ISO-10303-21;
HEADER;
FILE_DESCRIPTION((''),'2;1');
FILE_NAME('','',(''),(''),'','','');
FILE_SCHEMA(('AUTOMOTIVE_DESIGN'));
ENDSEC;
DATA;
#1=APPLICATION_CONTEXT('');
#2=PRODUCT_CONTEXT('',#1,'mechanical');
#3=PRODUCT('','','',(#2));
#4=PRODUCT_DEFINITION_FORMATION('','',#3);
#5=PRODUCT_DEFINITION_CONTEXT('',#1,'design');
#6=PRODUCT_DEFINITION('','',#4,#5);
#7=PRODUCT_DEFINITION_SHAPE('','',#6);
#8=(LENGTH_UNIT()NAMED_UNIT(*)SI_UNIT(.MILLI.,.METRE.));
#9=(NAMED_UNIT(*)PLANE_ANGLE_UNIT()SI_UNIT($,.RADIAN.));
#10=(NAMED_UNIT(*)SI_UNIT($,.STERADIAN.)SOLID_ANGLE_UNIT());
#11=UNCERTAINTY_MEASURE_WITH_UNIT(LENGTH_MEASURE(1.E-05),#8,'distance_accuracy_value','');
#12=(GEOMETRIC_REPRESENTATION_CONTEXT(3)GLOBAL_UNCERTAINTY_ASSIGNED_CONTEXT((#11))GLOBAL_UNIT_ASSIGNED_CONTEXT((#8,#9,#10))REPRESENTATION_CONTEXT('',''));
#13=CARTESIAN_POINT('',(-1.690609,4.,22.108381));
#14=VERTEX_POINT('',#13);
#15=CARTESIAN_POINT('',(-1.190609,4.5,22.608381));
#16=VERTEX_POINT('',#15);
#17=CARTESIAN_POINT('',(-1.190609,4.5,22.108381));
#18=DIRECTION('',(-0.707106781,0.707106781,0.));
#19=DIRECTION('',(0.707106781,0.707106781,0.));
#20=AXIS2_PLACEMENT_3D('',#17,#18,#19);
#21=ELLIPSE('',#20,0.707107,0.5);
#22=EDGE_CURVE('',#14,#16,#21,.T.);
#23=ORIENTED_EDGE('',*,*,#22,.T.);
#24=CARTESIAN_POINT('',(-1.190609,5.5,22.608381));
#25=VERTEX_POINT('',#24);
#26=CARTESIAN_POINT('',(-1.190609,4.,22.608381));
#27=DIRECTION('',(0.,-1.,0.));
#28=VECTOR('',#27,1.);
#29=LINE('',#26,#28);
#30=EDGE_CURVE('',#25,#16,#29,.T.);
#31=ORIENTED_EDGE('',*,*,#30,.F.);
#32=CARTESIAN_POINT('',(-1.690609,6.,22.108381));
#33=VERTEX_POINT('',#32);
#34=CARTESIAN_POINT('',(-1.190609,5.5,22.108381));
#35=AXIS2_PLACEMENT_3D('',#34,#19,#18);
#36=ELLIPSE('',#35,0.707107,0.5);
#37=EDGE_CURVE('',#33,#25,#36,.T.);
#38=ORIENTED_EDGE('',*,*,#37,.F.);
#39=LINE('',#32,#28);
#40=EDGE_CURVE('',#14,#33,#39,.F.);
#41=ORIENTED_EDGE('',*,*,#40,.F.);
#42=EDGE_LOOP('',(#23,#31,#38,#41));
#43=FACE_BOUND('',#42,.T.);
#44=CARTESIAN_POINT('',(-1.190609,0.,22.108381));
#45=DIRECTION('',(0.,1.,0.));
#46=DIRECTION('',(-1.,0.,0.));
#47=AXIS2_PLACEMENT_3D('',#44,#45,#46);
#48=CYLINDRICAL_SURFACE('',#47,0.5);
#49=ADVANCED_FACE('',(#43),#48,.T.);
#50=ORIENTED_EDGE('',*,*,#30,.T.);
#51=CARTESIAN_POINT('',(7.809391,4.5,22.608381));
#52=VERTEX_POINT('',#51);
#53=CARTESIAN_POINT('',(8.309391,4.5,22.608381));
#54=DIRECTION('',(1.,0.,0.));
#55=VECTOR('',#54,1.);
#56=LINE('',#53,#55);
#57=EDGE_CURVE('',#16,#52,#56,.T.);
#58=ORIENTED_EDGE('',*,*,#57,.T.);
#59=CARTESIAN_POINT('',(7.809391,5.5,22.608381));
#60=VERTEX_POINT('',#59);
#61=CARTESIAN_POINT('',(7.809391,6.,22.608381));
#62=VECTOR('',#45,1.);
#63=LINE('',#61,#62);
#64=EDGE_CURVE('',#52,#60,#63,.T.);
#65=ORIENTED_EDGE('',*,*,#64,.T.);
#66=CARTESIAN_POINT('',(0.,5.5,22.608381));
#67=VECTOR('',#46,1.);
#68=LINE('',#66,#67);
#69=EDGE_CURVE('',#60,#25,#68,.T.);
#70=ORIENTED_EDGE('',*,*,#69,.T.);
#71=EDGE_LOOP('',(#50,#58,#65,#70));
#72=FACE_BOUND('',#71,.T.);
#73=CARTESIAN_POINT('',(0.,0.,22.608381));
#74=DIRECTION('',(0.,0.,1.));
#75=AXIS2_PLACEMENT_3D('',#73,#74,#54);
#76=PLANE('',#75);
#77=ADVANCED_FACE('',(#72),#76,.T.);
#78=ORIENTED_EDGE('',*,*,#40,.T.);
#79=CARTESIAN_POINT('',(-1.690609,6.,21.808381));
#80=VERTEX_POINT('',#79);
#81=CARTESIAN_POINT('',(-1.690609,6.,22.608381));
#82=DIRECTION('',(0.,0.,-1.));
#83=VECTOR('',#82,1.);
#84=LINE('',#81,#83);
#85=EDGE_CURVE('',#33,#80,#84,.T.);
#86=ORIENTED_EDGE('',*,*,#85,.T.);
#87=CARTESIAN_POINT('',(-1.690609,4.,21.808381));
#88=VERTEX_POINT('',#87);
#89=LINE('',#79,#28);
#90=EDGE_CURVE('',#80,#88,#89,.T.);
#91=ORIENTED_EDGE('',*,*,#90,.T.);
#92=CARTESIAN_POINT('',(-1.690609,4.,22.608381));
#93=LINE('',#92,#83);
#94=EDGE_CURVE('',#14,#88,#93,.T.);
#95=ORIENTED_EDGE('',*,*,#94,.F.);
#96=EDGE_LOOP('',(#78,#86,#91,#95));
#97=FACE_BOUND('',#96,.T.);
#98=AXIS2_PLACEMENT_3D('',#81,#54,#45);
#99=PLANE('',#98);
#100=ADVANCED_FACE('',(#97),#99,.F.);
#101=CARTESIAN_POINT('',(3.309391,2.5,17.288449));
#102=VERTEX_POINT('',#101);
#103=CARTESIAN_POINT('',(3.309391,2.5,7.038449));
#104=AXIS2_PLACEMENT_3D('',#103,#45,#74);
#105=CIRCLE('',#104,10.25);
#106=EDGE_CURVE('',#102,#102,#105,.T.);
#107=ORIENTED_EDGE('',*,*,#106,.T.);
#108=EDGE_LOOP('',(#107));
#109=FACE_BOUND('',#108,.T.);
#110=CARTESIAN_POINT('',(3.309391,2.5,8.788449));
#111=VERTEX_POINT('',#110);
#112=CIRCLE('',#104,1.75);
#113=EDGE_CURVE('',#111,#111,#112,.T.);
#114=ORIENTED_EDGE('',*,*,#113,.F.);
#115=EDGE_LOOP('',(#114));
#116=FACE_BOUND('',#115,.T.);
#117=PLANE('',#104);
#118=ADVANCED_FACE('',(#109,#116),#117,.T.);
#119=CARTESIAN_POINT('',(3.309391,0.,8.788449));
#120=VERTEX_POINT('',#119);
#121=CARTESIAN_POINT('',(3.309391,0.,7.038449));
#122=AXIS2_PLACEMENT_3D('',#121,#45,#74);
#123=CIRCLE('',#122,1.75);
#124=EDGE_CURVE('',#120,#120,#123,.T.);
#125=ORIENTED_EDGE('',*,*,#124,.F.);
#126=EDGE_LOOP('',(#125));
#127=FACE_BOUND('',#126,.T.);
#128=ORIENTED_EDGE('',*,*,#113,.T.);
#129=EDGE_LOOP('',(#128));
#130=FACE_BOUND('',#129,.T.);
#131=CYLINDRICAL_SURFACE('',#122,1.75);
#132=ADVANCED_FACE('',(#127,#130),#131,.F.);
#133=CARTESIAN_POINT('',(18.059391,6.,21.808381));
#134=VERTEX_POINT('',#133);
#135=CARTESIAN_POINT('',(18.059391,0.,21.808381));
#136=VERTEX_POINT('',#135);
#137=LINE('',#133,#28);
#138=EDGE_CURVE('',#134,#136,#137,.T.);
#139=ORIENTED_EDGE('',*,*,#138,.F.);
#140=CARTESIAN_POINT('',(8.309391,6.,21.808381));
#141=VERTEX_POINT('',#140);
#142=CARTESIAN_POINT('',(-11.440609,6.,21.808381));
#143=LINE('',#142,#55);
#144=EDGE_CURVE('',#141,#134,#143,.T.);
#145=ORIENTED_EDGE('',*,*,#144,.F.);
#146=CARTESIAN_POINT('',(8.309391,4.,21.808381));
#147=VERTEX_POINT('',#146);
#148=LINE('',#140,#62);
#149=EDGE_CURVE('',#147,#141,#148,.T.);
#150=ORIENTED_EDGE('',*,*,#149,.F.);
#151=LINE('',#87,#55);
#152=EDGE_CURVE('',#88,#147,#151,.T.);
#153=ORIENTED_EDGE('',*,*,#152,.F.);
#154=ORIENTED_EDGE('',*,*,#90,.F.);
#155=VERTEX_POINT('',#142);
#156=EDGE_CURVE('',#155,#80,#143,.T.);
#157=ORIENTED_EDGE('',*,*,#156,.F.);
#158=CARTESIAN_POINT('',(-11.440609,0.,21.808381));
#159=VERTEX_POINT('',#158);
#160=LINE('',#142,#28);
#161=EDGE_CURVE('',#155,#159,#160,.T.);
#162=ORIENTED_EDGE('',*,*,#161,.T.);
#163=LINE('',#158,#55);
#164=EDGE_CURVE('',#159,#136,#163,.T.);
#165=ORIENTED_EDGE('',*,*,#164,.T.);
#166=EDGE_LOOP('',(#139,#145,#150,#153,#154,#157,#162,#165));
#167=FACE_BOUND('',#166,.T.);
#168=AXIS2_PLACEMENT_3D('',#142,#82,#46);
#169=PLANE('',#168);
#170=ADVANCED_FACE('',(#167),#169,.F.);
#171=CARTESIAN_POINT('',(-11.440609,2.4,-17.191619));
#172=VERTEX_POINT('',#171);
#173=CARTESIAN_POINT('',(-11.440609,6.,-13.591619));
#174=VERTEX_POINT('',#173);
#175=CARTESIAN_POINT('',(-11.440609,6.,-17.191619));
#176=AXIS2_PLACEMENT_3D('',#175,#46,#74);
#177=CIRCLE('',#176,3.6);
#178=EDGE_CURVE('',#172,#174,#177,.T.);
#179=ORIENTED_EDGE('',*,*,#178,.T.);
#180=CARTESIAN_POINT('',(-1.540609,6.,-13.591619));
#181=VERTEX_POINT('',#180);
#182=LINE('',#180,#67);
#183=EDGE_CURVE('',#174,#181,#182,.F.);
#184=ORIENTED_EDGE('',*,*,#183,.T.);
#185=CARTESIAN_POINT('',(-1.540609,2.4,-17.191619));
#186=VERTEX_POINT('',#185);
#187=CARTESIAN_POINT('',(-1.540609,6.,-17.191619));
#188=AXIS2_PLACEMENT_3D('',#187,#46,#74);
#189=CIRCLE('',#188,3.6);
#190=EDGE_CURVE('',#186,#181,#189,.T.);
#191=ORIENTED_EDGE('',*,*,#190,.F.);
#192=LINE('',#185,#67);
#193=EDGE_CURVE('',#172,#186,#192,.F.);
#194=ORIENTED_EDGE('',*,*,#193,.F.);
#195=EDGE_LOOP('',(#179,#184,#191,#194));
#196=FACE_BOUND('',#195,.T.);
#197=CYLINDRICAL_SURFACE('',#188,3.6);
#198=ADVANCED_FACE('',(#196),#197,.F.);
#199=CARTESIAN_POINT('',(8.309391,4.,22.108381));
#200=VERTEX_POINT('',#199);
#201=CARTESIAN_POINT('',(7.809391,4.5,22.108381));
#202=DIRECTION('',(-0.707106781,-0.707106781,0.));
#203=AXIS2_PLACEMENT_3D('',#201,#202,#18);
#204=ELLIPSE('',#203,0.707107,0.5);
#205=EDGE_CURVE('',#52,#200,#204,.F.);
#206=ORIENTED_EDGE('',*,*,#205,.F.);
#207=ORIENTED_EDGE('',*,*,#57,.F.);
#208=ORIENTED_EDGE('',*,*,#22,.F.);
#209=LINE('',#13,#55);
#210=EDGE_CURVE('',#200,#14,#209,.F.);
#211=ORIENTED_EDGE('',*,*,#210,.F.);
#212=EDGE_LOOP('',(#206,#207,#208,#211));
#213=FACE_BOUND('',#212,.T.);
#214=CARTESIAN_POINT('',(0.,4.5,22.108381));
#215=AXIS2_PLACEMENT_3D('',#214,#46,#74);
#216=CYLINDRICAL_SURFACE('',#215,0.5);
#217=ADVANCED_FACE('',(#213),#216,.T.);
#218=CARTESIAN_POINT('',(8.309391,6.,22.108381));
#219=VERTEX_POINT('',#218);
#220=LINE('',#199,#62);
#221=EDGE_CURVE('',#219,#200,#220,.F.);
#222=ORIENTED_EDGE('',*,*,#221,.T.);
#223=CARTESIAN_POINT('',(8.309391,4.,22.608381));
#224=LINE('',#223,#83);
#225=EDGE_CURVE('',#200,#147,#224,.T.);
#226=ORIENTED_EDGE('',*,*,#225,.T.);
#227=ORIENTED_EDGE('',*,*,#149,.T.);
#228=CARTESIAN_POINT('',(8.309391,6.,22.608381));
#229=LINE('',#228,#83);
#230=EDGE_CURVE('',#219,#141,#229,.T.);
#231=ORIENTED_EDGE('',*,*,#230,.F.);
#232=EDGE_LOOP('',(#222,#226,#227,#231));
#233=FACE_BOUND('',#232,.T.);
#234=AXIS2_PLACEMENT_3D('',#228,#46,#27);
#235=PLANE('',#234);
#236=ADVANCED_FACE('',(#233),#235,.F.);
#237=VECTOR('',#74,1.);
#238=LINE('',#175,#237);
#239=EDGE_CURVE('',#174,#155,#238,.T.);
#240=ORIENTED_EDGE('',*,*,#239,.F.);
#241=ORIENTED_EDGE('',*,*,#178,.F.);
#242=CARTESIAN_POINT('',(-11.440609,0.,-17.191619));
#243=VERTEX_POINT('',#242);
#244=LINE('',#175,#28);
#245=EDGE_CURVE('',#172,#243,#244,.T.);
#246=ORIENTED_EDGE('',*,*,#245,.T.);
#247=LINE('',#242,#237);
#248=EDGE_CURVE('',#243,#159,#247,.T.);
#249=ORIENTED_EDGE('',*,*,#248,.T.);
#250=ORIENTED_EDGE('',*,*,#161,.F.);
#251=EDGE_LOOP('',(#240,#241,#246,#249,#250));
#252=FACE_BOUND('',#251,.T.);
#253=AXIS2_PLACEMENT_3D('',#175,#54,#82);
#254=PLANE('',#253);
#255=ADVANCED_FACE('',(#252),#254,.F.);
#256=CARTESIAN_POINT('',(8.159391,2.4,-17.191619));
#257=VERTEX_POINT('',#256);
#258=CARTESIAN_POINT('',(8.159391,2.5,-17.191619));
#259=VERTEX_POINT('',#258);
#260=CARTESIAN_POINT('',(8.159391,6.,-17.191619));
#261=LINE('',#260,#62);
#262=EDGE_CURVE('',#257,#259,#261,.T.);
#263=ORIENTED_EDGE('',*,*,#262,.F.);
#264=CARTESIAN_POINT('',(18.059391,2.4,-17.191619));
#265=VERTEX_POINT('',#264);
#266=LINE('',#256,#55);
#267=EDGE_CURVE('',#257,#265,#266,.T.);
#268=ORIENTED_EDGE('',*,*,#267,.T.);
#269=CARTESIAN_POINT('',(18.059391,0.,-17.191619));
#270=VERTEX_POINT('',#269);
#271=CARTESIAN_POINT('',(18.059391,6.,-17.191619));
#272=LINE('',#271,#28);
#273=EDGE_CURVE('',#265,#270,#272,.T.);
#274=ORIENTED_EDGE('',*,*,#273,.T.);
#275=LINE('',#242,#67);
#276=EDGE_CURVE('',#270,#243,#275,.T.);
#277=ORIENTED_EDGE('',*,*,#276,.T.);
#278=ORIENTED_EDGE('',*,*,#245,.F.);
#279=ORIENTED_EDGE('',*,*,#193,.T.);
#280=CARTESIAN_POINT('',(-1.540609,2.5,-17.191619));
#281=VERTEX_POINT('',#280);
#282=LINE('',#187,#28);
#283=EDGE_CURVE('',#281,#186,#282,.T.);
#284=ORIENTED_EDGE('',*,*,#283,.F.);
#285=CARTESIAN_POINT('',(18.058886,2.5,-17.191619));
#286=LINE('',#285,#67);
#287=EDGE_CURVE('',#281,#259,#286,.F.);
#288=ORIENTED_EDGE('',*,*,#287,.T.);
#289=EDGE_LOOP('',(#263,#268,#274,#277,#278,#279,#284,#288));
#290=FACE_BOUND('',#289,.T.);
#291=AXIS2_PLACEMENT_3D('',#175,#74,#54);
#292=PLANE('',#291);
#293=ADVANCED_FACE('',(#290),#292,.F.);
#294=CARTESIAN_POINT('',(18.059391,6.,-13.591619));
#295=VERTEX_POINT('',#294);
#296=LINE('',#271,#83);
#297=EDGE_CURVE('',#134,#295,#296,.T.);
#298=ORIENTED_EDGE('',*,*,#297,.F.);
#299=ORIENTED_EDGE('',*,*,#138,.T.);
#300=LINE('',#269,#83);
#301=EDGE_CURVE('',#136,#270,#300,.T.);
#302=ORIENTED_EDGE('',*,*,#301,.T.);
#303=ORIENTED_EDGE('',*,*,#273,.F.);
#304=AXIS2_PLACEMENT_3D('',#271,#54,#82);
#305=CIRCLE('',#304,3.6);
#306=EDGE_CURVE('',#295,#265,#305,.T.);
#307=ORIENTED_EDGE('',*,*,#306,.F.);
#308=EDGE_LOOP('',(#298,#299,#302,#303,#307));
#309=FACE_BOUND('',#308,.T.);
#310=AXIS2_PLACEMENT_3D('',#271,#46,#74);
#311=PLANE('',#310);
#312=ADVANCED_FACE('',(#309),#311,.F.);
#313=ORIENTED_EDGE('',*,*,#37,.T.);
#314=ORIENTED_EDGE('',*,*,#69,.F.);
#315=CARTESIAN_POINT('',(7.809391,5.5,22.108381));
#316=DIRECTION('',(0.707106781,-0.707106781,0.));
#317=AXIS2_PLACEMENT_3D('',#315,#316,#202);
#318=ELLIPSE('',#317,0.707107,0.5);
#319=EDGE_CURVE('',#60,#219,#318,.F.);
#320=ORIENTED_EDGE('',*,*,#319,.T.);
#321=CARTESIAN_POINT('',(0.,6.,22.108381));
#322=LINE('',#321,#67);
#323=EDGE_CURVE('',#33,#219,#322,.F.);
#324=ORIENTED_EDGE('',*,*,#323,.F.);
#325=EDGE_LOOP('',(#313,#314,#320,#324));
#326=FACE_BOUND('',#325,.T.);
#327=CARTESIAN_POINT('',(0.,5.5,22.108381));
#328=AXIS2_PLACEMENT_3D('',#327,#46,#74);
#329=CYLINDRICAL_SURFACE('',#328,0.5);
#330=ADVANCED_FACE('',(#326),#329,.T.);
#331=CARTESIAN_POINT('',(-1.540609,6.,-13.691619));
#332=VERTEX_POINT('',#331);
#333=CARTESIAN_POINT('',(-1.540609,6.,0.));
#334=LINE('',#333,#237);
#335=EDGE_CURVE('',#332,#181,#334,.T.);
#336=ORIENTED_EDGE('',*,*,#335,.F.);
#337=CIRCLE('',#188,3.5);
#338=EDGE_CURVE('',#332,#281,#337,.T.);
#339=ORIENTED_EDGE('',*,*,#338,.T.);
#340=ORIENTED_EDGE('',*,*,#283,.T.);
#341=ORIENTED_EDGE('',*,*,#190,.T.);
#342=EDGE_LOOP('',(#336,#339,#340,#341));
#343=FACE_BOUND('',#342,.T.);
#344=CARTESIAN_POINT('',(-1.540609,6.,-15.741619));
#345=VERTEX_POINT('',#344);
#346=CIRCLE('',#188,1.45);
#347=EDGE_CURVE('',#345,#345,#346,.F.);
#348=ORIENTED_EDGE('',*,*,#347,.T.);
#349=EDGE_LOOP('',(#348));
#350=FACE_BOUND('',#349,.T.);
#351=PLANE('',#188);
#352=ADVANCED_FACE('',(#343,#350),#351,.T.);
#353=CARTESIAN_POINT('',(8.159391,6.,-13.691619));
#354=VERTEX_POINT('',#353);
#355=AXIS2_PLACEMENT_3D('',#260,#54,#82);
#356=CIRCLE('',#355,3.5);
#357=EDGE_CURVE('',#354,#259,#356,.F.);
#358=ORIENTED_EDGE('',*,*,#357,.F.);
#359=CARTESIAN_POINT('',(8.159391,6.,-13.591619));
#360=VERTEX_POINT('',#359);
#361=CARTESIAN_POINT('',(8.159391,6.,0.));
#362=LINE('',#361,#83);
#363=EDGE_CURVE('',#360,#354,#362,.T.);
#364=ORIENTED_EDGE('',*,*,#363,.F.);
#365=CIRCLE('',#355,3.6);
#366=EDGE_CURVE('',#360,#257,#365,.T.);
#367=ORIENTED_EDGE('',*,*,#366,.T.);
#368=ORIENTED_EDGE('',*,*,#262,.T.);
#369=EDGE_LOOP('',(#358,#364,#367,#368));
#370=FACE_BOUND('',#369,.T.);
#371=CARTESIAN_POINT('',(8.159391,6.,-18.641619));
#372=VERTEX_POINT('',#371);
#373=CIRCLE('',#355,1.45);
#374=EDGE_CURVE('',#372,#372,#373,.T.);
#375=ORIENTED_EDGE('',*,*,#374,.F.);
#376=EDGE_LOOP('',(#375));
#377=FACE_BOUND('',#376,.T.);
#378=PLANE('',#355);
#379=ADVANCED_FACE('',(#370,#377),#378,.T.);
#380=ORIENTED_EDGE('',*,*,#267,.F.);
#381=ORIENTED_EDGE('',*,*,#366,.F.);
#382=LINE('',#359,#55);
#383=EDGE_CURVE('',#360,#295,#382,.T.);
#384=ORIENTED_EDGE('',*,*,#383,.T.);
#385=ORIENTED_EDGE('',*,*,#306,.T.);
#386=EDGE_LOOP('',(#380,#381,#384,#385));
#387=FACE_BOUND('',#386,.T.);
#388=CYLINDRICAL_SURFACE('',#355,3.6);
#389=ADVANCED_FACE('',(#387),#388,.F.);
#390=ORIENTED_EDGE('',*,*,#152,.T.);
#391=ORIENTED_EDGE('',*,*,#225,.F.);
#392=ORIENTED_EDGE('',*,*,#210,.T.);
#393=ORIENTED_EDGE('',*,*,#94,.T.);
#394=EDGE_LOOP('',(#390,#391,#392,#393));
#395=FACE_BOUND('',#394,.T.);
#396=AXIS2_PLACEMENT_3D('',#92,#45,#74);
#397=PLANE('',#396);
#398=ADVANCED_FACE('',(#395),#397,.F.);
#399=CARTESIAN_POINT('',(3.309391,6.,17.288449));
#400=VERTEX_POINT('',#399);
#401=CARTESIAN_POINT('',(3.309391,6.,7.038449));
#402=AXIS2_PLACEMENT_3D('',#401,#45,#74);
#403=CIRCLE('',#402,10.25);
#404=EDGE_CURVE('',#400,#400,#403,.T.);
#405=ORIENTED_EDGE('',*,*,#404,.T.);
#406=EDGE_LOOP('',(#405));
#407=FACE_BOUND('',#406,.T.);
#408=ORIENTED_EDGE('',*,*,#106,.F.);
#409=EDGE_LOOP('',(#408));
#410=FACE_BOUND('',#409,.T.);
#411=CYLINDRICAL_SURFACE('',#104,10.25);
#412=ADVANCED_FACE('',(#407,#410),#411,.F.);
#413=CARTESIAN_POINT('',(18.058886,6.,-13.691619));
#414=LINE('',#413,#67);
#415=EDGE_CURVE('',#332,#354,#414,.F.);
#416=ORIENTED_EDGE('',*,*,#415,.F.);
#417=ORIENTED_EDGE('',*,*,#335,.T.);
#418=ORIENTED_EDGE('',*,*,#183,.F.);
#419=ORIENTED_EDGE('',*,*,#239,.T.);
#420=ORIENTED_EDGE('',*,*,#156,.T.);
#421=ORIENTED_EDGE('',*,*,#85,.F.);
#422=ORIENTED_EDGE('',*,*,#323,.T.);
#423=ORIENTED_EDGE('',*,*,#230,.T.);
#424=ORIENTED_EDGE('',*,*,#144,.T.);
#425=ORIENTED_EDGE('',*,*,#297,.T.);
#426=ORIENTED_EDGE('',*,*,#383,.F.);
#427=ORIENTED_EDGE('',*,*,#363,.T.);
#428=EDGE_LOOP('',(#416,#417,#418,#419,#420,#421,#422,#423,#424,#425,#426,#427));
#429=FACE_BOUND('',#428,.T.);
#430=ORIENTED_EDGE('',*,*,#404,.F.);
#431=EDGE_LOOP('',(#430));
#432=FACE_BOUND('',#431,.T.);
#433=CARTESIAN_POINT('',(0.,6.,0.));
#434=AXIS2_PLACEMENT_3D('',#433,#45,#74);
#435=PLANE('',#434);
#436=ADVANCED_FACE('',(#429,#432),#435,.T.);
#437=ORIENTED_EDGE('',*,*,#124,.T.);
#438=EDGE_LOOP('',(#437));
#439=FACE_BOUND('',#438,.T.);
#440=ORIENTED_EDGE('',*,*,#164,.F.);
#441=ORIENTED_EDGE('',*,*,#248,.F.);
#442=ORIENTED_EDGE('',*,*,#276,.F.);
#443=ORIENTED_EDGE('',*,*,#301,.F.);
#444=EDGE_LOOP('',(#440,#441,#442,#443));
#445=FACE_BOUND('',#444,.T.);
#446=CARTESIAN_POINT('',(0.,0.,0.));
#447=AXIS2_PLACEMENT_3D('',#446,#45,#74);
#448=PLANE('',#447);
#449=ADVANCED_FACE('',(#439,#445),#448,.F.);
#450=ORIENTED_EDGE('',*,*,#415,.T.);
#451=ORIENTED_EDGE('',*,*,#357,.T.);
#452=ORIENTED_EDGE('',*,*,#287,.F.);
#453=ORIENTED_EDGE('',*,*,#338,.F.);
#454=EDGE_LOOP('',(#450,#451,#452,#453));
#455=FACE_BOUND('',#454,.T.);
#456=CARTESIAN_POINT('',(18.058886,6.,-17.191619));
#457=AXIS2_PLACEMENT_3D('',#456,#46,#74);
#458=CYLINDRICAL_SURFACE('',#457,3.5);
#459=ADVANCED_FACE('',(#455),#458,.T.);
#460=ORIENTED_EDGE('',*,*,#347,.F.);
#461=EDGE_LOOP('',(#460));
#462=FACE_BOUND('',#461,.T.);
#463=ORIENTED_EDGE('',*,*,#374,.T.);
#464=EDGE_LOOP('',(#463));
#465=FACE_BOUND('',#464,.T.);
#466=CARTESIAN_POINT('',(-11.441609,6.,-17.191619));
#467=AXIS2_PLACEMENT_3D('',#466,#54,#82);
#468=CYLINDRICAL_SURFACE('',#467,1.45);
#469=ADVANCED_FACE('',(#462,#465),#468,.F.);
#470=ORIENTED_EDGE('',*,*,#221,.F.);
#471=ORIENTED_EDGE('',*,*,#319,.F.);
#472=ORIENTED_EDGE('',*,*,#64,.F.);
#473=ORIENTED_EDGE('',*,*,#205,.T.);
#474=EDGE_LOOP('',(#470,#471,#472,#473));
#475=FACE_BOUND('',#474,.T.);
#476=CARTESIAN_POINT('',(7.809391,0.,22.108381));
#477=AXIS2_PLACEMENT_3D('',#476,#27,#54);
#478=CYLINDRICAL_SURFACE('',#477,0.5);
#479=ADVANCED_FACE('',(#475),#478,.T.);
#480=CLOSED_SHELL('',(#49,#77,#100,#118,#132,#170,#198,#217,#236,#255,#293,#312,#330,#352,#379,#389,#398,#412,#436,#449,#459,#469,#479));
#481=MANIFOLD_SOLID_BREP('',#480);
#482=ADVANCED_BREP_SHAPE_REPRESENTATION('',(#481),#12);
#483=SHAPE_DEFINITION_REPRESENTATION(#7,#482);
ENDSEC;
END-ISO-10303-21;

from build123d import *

# Parameters (mm, degrees)
SKETCH2_W           = 29.5
SKETCH2_H           = 39
BOSS_EXTRUDE1_DEPTH = 6
SKETCH3_R           = 10.25
CUT_EXTRUDE1_DEPTH  = 3.5
SKETCH4_R           = 1.75
CUT_EXTRUDE2_DEPTH  = 3.5
SKETCH5_R           = 3.6
CUT_EXTRUDE3_DEPTH  = 9.9
SKETCH6_R           = 3.6
CUT_EXTRUDE4_DEPTH  = 9.9
SKETCH7_R           = 3.5
BOSS_EXTRUDE2_DEPTH = 9.7
CUT_EXTRUDE5_REACH  = 21.6
SKETCH8_R           = 1.45
SKETCH9_W           = 10
SKETCH9_H           = 2
BOSS_EXTRUDE3_DEPTH = 0.8
FILLET1_R           = 0.5


with BuildPart() as part:
    # Sketch2 → Boss-Extrude1 (new body)
    with BuildSketch(Plane(origin=(0, 0, 0), x_dir=(1, 0, 0), z_dir=(0, 1, 0))):
        with Locations((3.309391497, -2.30838063)):
            Rectangle(SKETCH2_W, SKETCH2_H)
    extrude(amount=BOSS_EXTRUDE1_DEPTH)

    # Sketch3 → Cut-Extrude1 (cut)
    with BuildSketch(Plane(origin=(0, 6, 0), x_dir=(1, 0, 0), z_dir=(0, 1, 0))):
        with Locations((3.309391497, -7.038449274)):
            Circle(SKETCH3_R)
    extrude(amount=-CUT_EXTRUDE1_DEPTH, mode=Mode.SUBTRACT)

    # Sketch4 → Cut-Extrude2 (cut, through all)
    with BuildSketch(Plane(origin=(0, 2.5, 0), x_dir=(1, 0, 0), z_dir=(0, 1, 0))):
        with Locations((3.309391497, -7.038449274)):
            Circle(SKETCH4_R)
    extrude(amount=-CUT_EXTRUDE2_DEPTH, mode=Mode.SUBTRACT)

    # Sketch5 → Cut-Extrude3 (cut)
    with BuildSketch(Plane(origin=(18.059391497, 0, 0), x_dir=(0, 0, -1), z_dir=(1, 0, 0))):
        with Locations((17.19161937, 6)):
            Circle(SKETCH5_R)
    extrude(amount=-CUT_EXTRUDE3_DEPTH, mode=Mode.SUBTRACT)

    # Sketch6 → Cut-Extrude4 (cut)
    with BuildSketch(Plane.ZY.offset(11.440608503)):
        with Locations((-17.19161937, 6)):
            Circle(SKETCH6_R)
    extrude(amount=-CUT_EXTRUDE4_DEPTH, mode=Mode.SUBTRACT)

    # Sketch7 → Boss-Extrude2 (add)
    with BuildSketch(Plane.ZY.offset(1.540608503)):
        with Locations((-17.19161937, 6)):
            Circle(SKETCH7_R)
    extrude(amount=-BOSS_EXTRUDE2_DEPTH)

    # Sketch8 → Cut-Extrude5 (cut, up to next)
    with BuildSketch(Plane(origin=(8.159391497, 0, 0), x_dir=(0, 0, -1), z_dir=(1, 0, 0)), mode=Mode.PRIVATE) as cut_extrude5_sk1:
        with Locations((17.19161937, 6)):
            Circle(SKETCH8_R)
    cut_extrude5_tool1 = extrude(cut_extrude5_sk1.sketch, amount=-CUT_EXTRUDE5_REACH, mode=Mode.PRIVATE) & part.part
    add(cut_extrude5_tool1.solids().sort_by_distance((8.159391, 6, -17.191619))[0], mode=Mode.SUBTRACT)

    # Sketch9 → Boss-Extrude3 (add)
    with BuildSketch(Plane.XY.offset(21.80838063)):
        with Locations((3.309391497, 5)):
            Rectangle(SKETCH9_W, SKETCH9_H)
    extrude(amount=BOSS_EXTRUDE3_DEPTH)

    # Fillet1
    fillet1_edges = [part.edges().sort_by_distance(p)[0] for p in [
        (-1.690608503, 5, 22.60838063),
        (3.309391497, 4, 22.60838063),
        (8.309391497, 5, 22.60838063),
        (3.309391497, 6, 22.60838063),
    ]]
    fillet(fillet1_edges, radius=FILLET1_R)


solid = part.part
